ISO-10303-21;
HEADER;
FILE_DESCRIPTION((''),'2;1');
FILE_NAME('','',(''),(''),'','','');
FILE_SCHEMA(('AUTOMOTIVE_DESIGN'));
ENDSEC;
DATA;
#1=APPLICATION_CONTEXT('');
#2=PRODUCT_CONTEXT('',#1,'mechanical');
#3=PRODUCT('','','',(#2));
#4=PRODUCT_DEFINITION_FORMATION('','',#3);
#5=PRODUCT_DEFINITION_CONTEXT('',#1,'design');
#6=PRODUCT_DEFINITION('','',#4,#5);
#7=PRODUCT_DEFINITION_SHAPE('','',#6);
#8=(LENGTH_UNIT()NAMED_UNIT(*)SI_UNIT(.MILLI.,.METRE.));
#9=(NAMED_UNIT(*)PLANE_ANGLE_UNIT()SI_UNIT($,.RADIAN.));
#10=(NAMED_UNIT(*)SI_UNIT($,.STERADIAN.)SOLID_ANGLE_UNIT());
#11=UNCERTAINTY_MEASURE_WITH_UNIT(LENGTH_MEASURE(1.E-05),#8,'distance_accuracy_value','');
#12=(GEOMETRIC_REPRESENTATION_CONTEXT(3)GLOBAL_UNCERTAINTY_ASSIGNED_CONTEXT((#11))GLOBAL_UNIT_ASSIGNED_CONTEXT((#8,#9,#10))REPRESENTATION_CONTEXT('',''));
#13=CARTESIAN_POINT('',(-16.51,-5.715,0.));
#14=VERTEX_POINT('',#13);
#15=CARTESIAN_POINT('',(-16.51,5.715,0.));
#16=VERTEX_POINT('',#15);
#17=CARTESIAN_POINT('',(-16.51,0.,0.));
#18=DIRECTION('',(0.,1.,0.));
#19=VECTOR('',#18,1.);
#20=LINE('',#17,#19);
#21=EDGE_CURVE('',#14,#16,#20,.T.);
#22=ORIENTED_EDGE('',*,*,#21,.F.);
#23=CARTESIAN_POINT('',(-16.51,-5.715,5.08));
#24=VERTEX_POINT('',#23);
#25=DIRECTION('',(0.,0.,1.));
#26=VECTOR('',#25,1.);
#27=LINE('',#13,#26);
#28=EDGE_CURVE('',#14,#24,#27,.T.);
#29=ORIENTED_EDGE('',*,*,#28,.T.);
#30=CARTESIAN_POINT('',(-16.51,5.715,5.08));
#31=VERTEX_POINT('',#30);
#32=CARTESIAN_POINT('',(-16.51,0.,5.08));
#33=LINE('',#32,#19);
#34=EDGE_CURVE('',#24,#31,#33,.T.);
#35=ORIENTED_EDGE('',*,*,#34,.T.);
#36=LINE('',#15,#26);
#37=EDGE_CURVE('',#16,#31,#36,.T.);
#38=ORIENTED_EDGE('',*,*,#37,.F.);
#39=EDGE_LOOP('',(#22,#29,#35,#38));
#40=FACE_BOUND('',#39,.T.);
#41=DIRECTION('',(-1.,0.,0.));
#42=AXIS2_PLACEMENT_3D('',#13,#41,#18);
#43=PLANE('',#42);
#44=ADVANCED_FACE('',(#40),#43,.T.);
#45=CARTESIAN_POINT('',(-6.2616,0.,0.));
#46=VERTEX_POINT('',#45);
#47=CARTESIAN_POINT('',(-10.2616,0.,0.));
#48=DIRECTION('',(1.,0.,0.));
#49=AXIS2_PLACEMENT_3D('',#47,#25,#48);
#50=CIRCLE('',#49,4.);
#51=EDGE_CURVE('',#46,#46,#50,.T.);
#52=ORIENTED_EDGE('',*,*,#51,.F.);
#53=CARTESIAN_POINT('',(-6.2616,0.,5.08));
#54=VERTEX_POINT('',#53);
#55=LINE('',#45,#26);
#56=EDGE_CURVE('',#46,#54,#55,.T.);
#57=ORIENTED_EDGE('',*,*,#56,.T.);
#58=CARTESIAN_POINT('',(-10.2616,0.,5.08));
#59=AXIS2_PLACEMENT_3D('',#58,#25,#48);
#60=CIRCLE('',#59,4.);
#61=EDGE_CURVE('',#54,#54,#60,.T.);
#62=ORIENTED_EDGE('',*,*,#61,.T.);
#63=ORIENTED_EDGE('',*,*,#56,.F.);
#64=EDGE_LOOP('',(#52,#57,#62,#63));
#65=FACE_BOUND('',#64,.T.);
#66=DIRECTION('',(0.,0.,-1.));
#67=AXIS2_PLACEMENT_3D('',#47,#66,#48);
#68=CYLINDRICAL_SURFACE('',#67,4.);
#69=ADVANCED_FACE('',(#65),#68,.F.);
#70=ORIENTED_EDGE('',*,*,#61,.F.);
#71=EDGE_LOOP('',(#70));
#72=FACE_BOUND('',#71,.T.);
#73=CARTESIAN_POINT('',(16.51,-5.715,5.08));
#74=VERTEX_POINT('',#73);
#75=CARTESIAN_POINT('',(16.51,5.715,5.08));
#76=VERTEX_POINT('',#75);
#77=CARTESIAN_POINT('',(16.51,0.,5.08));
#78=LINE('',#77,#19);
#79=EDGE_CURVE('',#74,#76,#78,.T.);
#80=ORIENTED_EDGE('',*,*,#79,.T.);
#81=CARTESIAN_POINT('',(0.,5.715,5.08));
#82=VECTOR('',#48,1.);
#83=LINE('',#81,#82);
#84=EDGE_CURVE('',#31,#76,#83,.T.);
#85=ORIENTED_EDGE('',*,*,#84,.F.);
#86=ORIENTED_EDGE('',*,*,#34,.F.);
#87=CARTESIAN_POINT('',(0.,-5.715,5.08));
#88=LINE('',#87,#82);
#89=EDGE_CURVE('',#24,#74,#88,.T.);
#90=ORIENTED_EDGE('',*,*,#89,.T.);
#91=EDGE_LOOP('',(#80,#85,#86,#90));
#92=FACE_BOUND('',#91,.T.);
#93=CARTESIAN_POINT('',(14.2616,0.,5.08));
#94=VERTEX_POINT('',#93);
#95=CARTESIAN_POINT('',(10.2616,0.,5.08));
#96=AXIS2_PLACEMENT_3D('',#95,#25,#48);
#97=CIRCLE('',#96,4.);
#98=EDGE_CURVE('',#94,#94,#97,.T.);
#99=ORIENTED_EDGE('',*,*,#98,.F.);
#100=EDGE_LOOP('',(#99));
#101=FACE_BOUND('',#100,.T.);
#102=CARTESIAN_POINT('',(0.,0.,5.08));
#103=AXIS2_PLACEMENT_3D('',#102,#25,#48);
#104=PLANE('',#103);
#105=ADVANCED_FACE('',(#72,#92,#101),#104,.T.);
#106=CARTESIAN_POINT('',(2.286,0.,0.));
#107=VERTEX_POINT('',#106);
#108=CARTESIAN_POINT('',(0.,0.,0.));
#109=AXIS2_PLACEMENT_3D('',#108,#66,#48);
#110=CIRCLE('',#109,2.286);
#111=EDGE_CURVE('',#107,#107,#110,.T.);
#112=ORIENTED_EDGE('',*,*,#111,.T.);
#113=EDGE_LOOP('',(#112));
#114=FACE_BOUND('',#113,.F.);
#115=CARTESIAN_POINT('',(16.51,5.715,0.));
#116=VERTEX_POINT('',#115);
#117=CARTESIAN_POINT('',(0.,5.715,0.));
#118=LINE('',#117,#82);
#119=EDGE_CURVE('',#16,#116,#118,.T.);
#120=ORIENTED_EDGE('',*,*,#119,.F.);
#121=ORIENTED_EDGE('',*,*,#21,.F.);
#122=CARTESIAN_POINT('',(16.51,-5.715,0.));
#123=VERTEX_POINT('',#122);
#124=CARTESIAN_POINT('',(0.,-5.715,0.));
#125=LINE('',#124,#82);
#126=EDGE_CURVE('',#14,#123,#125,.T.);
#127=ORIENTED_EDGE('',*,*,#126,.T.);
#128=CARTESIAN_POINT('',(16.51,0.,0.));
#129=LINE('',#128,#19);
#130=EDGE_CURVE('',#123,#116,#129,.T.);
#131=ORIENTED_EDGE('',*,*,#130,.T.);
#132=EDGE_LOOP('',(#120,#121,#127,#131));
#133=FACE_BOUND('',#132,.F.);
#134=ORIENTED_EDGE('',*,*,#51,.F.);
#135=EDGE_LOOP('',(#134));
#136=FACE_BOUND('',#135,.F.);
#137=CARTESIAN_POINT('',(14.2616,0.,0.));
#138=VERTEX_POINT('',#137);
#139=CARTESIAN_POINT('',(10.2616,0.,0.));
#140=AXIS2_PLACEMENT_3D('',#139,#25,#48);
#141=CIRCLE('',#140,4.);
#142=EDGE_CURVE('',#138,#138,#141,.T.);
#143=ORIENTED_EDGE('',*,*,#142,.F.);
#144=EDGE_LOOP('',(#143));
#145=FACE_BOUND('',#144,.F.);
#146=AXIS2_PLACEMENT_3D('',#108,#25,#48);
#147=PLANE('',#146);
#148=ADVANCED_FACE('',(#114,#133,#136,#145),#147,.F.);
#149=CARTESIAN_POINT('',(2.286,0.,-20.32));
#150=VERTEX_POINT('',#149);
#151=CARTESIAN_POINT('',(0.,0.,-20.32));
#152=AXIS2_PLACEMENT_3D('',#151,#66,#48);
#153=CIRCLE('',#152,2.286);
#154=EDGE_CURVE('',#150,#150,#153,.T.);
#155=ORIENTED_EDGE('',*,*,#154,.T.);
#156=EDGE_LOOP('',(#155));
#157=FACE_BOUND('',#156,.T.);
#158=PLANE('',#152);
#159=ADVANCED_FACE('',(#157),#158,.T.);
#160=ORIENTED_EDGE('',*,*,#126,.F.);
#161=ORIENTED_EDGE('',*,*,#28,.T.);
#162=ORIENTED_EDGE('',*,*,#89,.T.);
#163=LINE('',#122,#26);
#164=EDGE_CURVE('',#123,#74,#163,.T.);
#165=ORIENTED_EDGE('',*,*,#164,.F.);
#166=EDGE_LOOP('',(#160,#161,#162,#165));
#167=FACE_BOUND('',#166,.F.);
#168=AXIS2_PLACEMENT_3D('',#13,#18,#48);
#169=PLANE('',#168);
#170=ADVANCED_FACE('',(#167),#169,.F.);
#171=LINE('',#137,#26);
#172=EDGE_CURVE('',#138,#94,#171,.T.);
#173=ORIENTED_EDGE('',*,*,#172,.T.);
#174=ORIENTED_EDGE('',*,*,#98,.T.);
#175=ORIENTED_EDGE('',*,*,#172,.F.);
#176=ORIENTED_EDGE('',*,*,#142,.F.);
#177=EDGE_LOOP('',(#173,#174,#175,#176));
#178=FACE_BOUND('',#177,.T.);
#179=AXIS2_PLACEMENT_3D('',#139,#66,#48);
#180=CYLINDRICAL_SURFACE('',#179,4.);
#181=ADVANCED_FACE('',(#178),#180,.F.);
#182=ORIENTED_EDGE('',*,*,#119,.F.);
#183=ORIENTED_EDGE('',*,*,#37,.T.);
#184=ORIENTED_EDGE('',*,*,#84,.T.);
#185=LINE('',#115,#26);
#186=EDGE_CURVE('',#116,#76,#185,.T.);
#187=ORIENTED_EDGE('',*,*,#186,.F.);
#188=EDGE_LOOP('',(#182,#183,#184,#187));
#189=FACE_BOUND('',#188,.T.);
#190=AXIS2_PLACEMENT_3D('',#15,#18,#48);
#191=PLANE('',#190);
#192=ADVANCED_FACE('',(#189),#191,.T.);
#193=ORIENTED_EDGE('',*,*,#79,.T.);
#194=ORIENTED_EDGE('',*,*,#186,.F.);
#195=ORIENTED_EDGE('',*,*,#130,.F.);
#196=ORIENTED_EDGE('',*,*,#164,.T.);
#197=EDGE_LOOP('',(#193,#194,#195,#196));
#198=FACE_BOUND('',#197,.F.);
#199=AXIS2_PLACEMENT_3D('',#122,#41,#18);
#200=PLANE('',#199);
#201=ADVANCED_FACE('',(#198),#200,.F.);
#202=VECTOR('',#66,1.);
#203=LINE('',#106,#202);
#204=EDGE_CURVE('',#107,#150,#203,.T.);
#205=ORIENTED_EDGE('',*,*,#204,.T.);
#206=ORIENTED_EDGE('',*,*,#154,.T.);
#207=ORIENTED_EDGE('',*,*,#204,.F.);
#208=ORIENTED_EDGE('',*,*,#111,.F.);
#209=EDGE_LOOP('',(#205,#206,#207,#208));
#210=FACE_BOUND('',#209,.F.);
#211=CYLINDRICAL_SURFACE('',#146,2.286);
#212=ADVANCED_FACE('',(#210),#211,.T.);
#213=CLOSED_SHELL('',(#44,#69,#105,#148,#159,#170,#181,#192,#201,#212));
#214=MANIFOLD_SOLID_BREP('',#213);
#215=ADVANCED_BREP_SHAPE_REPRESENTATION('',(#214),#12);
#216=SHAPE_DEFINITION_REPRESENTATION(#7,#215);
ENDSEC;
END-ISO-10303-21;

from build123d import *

# Parameters (mm, degrees)
F0_W     = 33.02
F0_H     = 11.43
F0_R     = 4
F1_DEPTH = 5.08
F2_R     = 2.286
F3_DEPTH = 20.32


with BuildPart() as f1:
    # F0 (on Top) → F1 (new body)
    with BuildSketch(Plane.XY):
        Rectangle(F0_W, F0_H)
        with Locations((-10.2616, 0)):
            Circle(F0_R, mode=Mode.SUBTRACT)
        with Locations((10.2616, 0)):
            Circle(F0_R, mode=Mode.SUBTRACT)
    extrude(amount=F1_DEPTH)

    # F2 (on face) → F3 (join)
    with BuildSketch(Plane(origin=(0, 0, 0), x_dir=(1, 0, 0), z_dir=(0, 0, -1))):
        Circle(F2_R)
    extrude(amount=F3_DEPTH)


solid = f1.part
